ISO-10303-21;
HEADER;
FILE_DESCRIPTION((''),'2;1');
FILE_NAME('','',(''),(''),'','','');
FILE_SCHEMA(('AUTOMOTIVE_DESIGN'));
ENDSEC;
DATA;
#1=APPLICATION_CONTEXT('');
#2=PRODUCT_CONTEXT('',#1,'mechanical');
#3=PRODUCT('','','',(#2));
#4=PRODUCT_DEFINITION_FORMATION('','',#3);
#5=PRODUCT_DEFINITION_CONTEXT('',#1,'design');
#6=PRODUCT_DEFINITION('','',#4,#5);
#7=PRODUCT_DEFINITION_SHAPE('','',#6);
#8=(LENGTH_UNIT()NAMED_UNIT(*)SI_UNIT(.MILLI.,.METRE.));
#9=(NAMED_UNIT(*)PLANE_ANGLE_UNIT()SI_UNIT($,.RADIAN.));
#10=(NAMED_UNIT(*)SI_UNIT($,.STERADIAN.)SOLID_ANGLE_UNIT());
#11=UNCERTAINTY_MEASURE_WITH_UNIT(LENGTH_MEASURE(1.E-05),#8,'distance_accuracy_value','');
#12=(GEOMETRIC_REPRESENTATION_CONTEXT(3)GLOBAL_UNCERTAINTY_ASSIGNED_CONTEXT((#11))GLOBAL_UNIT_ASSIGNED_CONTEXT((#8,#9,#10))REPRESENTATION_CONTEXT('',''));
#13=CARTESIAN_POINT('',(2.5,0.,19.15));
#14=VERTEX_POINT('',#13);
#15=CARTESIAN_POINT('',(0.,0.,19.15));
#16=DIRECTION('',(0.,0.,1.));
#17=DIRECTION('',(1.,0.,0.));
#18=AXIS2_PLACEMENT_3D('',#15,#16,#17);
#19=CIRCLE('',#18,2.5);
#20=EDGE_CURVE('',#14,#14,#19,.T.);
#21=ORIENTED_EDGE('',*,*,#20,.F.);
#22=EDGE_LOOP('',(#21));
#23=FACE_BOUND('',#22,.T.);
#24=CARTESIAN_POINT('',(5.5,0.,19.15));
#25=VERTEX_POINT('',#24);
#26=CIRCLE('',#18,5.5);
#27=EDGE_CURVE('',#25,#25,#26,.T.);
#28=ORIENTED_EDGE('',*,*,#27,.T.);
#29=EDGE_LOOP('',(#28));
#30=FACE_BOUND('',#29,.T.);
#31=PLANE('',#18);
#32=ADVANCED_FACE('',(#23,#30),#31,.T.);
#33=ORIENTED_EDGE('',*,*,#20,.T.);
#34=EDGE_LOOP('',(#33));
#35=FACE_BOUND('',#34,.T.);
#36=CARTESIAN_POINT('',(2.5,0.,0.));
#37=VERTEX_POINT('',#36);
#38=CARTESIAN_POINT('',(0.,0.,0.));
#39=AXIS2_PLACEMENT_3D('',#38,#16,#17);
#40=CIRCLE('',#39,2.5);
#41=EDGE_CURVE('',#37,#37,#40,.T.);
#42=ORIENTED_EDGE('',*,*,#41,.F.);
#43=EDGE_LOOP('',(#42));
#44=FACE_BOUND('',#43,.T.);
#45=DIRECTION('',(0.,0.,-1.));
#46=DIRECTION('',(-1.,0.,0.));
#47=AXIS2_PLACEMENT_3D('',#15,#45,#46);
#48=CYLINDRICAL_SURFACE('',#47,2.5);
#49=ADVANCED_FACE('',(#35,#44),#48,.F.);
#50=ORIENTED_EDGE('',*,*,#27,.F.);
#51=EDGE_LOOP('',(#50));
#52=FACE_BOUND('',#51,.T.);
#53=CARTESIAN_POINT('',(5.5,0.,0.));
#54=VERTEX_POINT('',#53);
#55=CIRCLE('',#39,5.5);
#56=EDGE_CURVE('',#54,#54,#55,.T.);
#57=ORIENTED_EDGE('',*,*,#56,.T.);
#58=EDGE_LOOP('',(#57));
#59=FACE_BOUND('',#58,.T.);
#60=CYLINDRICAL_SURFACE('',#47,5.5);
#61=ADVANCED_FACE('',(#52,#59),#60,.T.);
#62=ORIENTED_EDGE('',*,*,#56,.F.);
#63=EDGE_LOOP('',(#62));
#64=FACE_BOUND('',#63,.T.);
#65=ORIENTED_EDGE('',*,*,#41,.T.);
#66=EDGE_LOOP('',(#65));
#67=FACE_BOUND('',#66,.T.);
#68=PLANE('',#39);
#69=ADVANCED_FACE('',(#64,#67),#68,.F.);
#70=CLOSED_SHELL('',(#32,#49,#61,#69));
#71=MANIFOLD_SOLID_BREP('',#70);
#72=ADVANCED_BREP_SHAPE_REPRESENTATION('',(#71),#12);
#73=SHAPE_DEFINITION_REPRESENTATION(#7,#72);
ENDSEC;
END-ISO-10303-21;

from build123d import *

# Parameters (mm, degrees)
SKETCH1_R           = 5.5
SKETCH1_R_2         = 2.5
BOSS_EXTRUDE1_DEPTH = 19.15


with BuildPart() as part:
    # Sketch1 → Boss-Extrude1 (new body)
    with BuildSketch(Plane.XY):
        Circle(SKETCH1_R)
        Circle(SKETCH1_R_2, mode=Mode.SUBTRACT)
    extrude(amount=BOSS_EXTRUDE1_DEPTH)


solid = part.part
